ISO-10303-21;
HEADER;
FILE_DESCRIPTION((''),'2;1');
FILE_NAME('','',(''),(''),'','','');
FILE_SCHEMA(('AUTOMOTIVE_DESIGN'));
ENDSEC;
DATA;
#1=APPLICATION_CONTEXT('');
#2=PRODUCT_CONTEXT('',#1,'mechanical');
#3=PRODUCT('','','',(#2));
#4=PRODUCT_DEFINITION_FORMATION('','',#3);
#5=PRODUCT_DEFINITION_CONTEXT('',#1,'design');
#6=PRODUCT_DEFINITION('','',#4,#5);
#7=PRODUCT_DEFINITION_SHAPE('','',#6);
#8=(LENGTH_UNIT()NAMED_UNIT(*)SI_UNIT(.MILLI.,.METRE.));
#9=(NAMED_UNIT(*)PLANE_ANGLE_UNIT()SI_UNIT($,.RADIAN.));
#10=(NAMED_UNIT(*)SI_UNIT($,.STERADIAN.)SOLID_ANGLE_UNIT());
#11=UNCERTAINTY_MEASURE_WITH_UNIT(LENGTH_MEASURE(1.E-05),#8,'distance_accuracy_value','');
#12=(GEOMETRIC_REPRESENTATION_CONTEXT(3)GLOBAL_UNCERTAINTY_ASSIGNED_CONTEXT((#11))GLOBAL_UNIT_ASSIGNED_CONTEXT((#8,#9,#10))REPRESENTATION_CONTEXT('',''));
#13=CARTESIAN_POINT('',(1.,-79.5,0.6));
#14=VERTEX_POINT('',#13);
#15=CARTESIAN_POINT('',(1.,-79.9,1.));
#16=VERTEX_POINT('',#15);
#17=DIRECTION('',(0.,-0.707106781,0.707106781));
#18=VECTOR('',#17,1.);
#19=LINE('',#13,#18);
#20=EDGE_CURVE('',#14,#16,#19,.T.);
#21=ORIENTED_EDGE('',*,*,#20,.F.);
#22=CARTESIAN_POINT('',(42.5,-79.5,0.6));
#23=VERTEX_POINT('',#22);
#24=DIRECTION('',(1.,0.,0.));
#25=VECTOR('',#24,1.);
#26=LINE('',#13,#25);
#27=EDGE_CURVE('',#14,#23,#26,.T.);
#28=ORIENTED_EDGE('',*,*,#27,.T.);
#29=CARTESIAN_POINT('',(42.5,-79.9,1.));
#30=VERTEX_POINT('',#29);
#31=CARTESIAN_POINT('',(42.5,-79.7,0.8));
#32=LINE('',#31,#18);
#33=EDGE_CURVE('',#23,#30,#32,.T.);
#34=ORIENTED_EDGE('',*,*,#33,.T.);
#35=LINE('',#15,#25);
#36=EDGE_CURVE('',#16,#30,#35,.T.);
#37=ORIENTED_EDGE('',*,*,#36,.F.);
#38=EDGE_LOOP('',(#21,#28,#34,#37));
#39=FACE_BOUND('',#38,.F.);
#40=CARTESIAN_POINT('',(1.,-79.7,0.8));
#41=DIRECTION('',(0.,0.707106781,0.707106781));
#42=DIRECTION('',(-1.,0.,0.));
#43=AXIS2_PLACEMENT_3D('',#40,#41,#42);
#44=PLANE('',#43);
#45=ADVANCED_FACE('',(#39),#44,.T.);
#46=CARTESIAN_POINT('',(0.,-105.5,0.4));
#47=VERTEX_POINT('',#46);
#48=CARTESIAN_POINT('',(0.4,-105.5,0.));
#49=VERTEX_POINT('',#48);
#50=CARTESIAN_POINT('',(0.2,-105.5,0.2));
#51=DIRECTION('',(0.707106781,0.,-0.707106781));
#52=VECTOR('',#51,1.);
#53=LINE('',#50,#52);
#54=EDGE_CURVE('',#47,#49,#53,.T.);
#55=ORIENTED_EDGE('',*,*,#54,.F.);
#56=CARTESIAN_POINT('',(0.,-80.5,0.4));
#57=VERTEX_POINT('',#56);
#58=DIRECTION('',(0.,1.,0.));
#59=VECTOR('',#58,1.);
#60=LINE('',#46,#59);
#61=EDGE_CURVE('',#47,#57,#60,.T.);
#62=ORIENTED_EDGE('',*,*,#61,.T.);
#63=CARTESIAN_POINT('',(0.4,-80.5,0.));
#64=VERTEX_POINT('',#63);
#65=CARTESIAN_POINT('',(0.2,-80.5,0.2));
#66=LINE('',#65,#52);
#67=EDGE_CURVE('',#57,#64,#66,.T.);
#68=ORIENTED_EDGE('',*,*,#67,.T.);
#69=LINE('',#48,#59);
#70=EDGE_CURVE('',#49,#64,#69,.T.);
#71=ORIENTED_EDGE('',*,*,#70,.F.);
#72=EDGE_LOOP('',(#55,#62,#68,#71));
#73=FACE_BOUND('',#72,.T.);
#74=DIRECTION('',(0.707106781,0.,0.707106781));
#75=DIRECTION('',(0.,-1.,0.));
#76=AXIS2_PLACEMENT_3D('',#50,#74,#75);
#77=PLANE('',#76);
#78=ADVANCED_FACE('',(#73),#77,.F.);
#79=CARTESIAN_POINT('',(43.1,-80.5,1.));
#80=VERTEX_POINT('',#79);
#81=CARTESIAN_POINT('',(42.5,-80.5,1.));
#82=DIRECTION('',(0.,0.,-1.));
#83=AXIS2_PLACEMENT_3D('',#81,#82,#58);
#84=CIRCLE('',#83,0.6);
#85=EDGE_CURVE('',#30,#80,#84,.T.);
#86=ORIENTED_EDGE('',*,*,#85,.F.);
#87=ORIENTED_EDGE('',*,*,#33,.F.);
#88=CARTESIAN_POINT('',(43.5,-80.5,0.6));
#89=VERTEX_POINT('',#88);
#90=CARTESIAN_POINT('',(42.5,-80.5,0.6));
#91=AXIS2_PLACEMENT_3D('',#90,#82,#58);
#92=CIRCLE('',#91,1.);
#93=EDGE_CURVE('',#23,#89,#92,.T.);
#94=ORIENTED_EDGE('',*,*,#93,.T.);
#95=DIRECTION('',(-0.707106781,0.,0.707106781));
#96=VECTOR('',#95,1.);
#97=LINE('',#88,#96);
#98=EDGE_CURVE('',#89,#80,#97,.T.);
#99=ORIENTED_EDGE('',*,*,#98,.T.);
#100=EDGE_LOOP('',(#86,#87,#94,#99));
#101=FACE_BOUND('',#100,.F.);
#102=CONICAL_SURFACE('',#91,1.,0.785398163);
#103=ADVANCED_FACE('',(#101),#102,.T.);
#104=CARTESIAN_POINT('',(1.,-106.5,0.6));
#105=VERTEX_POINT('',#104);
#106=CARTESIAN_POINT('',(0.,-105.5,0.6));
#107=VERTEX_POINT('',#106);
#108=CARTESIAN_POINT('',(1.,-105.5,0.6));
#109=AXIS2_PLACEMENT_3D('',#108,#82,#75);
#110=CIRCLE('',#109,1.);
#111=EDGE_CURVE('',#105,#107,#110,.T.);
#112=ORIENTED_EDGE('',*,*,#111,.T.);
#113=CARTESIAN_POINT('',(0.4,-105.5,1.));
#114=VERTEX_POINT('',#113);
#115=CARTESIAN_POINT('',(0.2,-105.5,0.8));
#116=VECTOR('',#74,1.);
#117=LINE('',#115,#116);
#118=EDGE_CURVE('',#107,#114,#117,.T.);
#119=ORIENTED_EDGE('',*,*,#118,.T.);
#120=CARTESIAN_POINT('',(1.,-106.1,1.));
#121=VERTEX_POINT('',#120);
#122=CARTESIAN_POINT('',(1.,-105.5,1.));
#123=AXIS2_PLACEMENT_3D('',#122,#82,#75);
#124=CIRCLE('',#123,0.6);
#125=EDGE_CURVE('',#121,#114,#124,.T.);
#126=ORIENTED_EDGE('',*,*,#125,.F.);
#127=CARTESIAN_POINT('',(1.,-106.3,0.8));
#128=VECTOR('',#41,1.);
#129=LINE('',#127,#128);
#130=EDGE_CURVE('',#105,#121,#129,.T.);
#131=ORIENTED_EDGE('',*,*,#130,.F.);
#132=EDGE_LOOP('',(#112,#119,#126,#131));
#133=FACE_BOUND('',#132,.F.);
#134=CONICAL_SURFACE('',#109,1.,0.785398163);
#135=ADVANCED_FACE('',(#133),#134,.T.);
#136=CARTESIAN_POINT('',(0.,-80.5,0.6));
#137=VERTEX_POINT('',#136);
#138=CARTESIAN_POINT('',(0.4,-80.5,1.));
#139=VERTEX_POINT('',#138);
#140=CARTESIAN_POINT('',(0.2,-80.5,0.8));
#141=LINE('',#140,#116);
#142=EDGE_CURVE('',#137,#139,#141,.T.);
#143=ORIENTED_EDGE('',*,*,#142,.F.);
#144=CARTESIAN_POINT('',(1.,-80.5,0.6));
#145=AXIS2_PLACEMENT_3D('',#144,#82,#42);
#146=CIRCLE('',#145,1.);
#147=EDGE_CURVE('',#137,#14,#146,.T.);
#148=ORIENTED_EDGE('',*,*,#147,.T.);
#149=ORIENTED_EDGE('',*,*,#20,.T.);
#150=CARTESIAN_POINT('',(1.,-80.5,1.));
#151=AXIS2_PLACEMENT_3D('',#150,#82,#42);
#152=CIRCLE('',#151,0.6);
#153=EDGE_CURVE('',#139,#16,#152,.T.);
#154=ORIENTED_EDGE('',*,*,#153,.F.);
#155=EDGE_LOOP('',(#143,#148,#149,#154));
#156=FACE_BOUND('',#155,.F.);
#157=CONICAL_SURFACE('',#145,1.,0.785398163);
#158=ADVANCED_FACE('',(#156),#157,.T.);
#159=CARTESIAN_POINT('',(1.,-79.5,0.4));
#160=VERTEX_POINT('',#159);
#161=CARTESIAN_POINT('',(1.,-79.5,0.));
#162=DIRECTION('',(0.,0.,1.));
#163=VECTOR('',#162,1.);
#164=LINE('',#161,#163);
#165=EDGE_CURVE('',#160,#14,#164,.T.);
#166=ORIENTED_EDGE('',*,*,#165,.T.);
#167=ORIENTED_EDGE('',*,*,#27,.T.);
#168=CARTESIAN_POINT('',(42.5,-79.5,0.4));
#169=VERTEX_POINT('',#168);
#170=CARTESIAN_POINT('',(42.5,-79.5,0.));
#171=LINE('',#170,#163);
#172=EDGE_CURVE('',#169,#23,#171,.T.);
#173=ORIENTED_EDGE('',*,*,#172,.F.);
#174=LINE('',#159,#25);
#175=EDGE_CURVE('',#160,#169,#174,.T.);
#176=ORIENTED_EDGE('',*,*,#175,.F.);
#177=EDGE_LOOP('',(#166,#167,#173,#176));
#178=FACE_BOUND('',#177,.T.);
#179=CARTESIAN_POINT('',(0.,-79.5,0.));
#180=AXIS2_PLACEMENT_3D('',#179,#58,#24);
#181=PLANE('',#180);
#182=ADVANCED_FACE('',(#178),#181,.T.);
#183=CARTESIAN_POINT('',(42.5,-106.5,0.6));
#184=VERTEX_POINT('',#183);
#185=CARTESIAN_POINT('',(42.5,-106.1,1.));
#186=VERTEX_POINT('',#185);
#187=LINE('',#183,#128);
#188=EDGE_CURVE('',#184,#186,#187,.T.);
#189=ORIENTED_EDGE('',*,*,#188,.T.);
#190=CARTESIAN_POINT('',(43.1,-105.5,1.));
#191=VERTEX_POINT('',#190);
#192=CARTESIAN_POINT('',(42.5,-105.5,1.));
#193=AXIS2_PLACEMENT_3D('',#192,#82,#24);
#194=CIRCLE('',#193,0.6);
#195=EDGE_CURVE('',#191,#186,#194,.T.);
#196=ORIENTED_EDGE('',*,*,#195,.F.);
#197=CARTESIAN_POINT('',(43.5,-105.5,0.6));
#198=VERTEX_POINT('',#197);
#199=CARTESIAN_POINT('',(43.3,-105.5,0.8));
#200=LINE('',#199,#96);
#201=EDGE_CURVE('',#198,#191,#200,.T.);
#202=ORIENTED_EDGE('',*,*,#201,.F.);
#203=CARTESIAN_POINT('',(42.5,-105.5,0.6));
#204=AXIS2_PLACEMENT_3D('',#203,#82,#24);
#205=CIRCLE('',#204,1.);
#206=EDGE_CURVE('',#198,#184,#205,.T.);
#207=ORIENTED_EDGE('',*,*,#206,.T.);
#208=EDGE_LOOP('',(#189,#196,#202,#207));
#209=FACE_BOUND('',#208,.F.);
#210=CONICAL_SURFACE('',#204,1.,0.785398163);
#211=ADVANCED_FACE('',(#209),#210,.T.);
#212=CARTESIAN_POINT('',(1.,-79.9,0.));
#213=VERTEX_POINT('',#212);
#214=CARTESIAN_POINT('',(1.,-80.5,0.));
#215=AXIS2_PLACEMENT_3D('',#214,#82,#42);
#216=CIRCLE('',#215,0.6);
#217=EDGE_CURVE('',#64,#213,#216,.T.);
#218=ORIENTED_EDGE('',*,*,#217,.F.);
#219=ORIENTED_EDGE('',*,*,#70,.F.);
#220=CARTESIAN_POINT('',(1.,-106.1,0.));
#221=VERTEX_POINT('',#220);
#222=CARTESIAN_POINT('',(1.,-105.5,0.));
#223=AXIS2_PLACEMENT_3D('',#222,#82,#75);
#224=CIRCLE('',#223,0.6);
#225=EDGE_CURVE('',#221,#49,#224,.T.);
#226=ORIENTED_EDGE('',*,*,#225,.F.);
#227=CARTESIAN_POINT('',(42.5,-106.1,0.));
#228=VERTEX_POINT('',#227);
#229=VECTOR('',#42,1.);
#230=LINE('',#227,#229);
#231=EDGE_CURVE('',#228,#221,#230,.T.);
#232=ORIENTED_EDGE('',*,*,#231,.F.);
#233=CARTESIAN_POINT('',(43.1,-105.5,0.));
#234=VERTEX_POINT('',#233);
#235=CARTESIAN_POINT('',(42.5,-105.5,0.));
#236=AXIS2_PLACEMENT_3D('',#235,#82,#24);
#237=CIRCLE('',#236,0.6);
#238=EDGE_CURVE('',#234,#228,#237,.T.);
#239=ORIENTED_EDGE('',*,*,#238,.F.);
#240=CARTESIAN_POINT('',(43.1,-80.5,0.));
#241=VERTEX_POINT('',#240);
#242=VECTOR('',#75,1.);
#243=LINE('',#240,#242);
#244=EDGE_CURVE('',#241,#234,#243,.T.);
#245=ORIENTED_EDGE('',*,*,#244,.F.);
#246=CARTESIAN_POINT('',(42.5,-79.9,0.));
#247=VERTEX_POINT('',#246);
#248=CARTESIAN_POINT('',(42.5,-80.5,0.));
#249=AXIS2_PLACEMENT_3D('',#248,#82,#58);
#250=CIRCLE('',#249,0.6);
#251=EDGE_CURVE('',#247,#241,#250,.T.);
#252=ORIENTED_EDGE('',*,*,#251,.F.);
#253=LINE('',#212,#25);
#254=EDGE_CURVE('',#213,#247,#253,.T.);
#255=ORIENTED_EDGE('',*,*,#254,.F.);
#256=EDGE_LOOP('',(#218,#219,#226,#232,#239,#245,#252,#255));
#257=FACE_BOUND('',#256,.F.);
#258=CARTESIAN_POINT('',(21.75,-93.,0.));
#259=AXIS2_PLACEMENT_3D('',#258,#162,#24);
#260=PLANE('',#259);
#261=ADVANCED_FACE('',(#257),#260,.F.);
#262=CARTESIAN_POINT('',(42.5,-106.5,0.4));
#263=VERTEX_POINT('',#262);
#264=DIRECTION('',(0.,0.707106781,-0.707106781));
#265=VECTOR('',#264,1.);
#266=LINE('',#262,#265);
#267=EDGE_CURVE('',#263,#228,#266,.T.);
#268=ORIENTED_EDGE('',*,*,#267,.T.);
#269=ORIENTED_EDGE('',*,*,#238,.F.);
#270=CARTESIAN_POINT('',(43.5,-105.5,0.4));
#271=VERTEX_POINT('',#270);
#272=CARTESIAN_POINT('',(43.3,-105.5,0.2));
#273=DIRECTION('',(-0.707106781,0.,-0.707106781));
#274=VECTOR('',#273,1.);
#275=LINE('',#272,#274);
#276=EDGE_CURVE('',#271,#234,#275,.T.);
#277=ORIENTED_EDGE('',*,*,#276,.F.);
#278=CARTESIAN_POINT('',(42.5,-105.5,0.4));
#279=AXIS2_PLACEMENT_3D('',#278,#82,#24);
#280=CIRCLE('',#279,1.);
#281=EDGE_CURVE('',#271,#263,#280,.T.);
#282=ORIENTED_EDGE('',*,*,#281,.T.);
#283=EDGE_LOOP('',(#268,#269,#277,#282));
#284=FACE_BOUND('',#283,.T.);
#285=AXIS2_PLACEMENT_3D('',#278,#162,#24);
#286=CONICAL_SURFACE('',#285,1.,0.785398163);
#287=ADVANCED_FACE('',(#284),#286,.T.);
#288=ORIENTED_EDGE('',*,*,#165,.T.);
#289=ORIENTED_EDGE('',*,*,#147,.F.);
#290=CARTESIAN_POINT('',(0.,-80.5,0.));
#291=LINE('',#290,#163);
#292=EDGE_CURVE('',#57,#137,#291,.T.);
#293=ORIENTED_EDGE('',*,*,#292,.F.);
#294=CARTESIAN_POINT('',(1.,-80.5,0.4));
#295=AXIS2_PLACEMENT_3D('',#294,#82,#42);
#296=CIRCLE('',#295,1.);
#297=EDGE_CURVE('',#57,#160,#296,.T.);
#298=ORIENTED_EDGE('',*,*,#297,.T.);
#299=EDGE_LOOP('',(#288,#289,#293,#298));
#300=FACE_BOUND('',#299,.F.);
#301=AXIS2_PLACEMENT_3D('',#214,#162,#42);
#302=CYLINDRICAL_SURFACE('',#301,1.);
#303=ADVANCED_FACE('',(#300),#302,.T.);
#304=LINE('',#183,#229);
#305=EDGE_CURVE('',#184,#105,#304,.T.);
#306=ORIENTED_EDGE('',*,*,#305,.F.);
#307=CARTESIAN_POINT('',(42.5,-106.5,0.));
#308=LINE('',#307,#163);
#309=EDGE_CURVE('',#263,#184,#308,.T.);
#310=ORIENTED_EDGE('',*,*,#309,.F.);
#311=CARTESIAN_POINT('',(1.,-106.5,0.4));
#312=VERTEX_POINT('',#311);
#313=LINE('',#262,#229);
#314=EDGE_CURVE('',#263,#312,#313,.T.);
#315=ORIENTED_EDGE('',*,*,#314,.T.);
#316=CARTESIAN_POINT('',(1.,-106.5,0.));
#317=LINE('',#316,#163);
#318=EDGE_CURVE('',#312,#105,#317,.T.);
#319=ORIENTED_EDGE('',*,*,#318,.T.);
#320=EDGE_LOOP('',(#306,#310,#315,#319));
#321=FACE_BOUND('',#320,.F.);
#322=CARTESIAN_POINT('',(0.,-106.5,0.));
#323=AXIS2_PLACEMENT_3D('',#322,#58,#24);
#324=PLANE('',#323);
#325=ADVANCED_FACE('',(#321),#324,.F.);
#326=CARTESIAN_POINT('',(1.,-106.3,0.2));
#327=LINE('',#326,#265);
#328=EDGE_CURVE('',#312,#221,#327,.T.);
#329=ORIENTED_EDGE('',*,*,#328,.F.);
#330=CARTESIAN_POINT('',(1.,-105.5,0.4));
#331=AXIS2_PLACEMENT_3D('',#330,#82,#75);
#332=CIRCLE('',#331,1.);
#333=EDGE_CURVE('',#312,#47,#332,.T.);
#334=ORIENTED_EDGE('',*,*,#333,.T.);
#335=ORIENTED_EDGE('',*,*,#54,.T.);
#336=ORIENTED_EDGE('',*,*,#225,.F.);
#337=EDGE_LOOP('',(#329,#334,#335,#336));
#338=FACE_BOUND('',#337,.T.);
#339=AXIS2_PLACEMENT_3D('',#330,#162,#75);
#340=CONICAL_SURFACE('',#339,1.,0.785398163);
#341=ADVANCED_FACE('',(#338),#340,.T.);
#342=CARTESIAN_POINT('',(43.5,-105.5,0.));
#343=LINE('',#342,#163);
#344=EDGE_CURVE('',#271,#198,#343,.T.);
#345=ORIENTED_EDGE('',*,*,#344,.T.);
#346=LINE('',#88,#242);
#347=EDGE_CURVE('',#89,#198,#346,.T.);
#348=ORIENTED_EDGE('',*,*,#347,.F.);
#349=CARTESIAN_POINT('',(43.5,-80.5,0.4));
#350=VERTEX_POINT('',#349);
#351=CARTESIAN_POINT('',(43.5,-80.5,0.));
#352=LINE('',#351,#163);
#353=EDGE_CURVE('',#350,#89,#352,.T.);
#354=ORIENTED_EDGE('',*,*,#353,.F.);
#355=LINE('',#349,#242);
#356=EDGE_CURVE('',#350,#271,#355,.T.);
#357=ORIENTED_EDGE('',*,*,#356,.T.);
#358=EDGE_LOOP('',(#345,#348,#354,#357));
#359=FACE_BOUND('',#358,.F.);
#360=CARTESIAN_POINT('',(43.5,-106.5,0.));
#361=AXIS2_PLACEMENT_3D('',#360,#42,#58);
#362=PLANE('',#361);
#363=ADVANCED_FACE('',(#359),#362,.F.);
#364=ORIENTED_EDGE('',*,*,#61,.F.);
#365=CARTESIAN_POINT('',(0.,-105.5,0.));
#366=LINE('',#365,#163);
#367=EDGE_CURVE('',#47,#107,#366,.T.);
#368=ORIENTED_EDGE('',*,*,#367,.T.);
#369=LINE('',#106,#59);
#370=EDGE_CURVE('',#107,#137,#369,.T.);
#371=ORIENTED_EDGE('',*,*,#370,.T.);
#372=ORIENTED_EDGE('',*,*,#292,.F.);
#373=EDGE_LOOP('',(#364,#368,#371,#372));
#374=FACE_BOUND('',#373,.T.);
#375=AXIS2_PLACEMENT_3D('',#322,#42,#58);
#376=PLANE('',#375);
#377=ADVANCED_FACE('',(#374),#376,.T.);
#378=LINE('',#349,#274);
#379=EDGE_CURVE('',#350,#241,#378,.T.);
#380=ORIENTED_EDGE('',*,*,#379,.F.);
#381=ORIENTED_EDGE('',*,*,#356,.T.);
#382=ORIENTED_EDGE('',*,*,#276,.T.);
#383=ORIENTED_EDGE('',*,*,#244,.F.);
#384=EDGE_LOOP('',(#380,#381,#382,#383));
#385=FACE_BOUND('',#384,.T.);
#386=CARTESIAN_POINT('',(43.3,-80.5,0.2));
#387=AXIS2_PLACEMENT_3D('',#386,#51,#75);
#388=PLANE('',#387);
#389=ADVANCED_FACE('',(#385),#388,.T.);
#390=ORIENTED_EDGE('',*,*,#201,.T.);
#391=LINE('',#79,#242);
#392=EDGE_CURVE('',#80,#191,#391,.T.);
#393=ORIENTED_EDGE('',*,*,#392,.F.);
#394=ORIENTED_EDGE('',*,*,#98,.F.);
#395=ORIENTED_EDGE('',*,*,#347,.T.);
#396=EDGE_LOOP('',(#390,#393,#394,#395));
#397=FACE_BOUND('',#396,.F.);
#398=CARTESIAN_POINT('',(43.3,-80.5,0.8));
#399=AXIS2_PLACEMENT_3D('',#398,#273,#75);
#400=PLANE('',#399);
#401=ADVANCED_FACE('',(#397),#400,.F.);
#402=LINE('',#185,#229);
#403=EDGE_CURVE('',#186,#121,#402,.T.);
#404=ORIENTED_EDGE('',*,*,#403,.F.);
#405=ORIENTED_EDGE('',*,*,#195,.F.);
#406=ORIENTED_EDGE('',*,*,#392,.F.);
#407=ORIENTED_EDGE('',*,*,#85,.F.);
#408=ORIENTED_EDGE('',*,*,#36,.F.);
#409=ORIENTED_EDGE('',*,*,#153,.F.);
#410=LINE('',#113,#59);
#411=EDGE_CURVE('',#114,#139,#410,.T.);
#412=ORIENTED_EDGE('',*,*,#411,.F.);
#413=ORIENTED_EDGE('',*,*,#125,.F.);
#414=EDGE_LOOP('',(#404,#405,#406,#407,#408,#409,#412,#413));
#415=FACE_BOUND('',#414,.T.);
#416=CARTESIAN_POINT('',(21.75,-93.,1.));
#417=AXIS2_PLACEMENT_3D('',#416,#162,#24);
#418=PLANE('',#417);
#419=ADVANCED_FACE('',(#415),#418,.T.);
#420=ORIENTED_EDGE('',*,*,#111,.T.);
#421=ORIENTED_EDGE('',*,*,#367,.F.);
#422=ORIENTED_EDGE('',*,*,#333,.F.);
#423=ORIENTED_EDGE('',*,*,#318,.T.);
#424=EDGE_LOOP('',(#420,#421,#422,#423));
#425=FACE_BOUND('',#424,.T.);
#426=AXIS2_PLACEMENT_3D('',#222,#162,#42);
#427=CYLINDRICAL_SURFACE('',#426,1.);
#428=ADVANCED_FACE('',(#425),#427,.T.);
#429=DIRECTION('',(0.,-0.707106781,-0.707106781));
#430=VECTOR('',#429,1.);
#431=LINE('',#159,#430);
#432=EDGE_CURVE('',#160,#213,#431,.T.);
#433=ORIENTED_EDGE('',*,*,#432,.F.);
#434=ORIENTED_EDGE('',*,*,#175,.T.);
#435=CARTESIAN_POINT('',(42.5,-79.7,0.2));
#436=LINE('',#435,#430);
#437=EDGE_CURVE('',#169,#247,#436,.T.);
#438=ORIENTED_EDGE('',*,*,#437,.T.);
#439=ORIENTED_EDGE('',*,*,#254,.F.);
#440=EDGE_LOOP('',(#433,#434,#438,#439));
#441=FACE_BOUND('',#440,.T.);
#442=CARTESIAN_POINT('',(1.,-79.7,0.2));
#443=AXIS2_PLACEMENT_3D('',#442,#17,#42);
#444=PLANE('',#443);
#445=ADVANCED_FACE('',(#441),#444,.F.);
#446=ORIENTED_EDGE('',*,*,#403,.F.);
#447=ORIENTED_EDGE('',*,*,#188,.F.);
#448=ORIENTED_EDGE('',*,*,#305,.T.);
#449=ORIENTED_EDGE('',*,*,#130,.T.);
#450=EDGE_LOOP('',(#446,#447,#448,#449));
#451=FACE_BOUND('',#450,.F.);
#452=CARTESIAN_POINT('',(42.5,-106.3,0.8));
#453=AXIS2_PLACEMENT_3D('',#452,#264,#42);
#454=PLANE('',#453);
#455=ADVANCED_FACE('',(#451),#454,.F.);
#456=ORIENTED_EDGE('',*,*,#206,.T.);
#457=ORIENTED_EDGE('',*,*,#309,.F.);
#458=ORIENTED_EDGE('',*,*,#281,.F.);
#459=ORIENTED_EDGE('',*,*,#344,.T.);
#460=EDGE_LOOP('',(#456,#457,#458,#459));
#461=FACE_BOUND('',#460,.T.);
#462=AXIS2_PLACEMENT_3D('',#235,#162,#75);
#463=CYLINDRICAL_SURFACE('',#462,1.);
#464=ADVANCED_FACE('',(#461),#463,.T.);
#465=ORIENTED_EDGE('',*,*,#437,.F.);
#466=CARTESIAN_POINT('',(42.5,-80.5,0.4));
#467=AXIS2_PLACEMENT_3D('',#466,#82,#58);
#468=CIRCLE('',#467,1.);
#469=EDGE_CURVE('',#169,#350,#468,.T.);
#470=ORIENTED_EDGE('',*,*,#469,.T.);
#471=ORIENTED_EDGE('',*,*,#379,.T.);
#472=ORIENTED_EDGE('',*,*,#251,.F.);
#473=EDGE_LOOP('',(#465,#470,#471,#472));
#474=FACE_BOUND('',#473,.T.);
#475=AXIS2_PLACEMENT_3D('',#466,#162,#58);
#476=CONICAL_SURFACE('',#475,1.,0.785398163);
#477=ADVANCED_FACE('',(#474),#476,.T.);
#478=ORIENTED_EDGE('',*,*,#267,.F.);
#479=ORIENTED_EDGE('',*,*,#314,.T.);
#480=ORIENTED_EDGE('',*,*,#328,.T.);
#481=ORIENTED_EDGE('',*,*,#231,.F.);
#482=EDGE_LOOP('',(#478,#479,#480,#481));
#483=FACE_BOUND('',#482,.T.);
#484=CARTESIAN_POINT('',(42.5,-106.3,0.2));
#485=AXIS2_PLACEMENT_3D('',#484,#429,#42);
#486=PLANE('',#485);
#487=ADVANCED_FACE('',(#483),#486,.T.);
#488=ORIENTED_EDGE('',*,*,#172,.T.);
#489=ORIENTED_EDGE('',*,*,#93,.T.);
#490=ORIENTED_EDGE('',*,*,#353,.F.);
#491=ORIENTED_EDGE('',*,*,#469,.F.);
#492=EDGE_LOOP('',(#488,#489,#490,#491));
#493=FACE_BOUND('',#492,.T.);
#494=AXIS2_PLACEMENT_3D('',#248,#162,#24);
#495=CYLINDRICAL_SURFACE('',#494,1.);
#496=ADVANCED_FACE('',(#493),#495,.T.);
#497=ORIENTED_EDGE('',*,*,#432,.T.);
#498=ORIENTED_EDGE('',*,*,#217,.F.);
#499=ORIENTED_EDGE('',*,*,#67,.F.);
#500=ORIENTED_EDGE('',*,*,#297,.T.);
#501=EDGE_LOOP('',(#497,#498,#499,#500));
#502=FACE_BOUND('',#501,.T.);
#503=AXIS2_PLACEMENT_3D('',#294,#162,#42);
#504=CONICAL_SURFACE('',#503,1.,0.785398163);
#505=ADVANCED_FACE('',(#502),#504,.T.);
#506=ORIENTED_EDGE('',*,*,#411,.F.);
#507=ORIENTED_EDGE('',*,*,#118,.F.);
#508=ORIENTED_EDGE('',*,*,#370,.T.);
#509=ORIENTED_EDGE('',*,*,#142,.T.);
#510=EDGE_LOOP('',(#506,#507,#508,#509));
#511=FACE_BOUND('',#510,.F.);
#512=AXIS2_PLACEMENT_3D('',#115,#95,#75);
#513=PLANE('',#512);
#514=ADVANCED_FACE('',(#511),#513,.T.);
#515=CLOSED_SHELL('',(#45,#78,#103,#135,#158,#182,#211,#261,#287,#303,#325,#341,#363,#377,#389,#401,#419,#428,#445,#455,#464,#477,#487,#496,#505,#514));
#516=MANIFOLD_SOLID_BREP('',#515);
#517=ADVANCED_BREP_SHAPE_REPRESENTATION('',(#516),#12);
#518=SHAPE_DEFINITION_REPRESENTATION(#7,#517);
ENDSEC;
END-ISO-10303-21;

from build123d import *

# Parameters (mm, degrees)
BOX_W           = 43.5
BOX_H           = 27
BOX_DEPTH       = 1
FILLET001_R     = 1
CHAMFER002_SIZE = 0.4


with BuildPart() as part:
    # Box → Box (new body)
    with BuildSketch(Plane(origin=(0, 24, 0), x_dir=(1, 0, 0), z_dir=(0, 0, 1))):
        with Locations((21.75, 13.5)):
            Rectangle(BOX_W, BOX_H)
    extrude(amount=BOX_DEPTH)

    # Fillet001
    fillet001_edges = [part.edges().sort_by_distance(p)[0] for p in [
        (0, 24, 0.5),
        (0, 51, 0.5),
        (43.5, 24, 0.5),
        (43.5, 51, 0.5),
    ]]
    fillet(fillet001_edges, radius=FILLET001_R)

    # Chamfer002
    chamfer002_edges = [part.edges().sort_by_distance(p)[0] for p in [
        (0, 37.5, 1),
        (0, 37.5, 0),
        (0.292893, 24.292893, 1),
        (21.75, 24, 1),
        (43.207107, 24.292893, 1),
        (43.5, 37.5, 1),
        (43.207107, 50.707107, 1),
        (21.75, 51, 1),
        (0.292893, 50.707107, 1),
        (0.292893, 24.292893, 0),
        (0.292893, 50.707107, 0),
        (21.75, 24, 0),
        (43.207107, 24.292893, 0),
        (43.5, 37.5, 0),
        (43.207107, 50.707107, 0),
        (21.75, 51, 0),
    ]]
    chamfer(chamfer002_edges, length=CHAMFER002_SIZE)


with BuildPart() as part_1:
    # Chamfer002 placement: moved
    add(part.part.moved(Location((0, -130.5, 0))))


solid = part_1.part
